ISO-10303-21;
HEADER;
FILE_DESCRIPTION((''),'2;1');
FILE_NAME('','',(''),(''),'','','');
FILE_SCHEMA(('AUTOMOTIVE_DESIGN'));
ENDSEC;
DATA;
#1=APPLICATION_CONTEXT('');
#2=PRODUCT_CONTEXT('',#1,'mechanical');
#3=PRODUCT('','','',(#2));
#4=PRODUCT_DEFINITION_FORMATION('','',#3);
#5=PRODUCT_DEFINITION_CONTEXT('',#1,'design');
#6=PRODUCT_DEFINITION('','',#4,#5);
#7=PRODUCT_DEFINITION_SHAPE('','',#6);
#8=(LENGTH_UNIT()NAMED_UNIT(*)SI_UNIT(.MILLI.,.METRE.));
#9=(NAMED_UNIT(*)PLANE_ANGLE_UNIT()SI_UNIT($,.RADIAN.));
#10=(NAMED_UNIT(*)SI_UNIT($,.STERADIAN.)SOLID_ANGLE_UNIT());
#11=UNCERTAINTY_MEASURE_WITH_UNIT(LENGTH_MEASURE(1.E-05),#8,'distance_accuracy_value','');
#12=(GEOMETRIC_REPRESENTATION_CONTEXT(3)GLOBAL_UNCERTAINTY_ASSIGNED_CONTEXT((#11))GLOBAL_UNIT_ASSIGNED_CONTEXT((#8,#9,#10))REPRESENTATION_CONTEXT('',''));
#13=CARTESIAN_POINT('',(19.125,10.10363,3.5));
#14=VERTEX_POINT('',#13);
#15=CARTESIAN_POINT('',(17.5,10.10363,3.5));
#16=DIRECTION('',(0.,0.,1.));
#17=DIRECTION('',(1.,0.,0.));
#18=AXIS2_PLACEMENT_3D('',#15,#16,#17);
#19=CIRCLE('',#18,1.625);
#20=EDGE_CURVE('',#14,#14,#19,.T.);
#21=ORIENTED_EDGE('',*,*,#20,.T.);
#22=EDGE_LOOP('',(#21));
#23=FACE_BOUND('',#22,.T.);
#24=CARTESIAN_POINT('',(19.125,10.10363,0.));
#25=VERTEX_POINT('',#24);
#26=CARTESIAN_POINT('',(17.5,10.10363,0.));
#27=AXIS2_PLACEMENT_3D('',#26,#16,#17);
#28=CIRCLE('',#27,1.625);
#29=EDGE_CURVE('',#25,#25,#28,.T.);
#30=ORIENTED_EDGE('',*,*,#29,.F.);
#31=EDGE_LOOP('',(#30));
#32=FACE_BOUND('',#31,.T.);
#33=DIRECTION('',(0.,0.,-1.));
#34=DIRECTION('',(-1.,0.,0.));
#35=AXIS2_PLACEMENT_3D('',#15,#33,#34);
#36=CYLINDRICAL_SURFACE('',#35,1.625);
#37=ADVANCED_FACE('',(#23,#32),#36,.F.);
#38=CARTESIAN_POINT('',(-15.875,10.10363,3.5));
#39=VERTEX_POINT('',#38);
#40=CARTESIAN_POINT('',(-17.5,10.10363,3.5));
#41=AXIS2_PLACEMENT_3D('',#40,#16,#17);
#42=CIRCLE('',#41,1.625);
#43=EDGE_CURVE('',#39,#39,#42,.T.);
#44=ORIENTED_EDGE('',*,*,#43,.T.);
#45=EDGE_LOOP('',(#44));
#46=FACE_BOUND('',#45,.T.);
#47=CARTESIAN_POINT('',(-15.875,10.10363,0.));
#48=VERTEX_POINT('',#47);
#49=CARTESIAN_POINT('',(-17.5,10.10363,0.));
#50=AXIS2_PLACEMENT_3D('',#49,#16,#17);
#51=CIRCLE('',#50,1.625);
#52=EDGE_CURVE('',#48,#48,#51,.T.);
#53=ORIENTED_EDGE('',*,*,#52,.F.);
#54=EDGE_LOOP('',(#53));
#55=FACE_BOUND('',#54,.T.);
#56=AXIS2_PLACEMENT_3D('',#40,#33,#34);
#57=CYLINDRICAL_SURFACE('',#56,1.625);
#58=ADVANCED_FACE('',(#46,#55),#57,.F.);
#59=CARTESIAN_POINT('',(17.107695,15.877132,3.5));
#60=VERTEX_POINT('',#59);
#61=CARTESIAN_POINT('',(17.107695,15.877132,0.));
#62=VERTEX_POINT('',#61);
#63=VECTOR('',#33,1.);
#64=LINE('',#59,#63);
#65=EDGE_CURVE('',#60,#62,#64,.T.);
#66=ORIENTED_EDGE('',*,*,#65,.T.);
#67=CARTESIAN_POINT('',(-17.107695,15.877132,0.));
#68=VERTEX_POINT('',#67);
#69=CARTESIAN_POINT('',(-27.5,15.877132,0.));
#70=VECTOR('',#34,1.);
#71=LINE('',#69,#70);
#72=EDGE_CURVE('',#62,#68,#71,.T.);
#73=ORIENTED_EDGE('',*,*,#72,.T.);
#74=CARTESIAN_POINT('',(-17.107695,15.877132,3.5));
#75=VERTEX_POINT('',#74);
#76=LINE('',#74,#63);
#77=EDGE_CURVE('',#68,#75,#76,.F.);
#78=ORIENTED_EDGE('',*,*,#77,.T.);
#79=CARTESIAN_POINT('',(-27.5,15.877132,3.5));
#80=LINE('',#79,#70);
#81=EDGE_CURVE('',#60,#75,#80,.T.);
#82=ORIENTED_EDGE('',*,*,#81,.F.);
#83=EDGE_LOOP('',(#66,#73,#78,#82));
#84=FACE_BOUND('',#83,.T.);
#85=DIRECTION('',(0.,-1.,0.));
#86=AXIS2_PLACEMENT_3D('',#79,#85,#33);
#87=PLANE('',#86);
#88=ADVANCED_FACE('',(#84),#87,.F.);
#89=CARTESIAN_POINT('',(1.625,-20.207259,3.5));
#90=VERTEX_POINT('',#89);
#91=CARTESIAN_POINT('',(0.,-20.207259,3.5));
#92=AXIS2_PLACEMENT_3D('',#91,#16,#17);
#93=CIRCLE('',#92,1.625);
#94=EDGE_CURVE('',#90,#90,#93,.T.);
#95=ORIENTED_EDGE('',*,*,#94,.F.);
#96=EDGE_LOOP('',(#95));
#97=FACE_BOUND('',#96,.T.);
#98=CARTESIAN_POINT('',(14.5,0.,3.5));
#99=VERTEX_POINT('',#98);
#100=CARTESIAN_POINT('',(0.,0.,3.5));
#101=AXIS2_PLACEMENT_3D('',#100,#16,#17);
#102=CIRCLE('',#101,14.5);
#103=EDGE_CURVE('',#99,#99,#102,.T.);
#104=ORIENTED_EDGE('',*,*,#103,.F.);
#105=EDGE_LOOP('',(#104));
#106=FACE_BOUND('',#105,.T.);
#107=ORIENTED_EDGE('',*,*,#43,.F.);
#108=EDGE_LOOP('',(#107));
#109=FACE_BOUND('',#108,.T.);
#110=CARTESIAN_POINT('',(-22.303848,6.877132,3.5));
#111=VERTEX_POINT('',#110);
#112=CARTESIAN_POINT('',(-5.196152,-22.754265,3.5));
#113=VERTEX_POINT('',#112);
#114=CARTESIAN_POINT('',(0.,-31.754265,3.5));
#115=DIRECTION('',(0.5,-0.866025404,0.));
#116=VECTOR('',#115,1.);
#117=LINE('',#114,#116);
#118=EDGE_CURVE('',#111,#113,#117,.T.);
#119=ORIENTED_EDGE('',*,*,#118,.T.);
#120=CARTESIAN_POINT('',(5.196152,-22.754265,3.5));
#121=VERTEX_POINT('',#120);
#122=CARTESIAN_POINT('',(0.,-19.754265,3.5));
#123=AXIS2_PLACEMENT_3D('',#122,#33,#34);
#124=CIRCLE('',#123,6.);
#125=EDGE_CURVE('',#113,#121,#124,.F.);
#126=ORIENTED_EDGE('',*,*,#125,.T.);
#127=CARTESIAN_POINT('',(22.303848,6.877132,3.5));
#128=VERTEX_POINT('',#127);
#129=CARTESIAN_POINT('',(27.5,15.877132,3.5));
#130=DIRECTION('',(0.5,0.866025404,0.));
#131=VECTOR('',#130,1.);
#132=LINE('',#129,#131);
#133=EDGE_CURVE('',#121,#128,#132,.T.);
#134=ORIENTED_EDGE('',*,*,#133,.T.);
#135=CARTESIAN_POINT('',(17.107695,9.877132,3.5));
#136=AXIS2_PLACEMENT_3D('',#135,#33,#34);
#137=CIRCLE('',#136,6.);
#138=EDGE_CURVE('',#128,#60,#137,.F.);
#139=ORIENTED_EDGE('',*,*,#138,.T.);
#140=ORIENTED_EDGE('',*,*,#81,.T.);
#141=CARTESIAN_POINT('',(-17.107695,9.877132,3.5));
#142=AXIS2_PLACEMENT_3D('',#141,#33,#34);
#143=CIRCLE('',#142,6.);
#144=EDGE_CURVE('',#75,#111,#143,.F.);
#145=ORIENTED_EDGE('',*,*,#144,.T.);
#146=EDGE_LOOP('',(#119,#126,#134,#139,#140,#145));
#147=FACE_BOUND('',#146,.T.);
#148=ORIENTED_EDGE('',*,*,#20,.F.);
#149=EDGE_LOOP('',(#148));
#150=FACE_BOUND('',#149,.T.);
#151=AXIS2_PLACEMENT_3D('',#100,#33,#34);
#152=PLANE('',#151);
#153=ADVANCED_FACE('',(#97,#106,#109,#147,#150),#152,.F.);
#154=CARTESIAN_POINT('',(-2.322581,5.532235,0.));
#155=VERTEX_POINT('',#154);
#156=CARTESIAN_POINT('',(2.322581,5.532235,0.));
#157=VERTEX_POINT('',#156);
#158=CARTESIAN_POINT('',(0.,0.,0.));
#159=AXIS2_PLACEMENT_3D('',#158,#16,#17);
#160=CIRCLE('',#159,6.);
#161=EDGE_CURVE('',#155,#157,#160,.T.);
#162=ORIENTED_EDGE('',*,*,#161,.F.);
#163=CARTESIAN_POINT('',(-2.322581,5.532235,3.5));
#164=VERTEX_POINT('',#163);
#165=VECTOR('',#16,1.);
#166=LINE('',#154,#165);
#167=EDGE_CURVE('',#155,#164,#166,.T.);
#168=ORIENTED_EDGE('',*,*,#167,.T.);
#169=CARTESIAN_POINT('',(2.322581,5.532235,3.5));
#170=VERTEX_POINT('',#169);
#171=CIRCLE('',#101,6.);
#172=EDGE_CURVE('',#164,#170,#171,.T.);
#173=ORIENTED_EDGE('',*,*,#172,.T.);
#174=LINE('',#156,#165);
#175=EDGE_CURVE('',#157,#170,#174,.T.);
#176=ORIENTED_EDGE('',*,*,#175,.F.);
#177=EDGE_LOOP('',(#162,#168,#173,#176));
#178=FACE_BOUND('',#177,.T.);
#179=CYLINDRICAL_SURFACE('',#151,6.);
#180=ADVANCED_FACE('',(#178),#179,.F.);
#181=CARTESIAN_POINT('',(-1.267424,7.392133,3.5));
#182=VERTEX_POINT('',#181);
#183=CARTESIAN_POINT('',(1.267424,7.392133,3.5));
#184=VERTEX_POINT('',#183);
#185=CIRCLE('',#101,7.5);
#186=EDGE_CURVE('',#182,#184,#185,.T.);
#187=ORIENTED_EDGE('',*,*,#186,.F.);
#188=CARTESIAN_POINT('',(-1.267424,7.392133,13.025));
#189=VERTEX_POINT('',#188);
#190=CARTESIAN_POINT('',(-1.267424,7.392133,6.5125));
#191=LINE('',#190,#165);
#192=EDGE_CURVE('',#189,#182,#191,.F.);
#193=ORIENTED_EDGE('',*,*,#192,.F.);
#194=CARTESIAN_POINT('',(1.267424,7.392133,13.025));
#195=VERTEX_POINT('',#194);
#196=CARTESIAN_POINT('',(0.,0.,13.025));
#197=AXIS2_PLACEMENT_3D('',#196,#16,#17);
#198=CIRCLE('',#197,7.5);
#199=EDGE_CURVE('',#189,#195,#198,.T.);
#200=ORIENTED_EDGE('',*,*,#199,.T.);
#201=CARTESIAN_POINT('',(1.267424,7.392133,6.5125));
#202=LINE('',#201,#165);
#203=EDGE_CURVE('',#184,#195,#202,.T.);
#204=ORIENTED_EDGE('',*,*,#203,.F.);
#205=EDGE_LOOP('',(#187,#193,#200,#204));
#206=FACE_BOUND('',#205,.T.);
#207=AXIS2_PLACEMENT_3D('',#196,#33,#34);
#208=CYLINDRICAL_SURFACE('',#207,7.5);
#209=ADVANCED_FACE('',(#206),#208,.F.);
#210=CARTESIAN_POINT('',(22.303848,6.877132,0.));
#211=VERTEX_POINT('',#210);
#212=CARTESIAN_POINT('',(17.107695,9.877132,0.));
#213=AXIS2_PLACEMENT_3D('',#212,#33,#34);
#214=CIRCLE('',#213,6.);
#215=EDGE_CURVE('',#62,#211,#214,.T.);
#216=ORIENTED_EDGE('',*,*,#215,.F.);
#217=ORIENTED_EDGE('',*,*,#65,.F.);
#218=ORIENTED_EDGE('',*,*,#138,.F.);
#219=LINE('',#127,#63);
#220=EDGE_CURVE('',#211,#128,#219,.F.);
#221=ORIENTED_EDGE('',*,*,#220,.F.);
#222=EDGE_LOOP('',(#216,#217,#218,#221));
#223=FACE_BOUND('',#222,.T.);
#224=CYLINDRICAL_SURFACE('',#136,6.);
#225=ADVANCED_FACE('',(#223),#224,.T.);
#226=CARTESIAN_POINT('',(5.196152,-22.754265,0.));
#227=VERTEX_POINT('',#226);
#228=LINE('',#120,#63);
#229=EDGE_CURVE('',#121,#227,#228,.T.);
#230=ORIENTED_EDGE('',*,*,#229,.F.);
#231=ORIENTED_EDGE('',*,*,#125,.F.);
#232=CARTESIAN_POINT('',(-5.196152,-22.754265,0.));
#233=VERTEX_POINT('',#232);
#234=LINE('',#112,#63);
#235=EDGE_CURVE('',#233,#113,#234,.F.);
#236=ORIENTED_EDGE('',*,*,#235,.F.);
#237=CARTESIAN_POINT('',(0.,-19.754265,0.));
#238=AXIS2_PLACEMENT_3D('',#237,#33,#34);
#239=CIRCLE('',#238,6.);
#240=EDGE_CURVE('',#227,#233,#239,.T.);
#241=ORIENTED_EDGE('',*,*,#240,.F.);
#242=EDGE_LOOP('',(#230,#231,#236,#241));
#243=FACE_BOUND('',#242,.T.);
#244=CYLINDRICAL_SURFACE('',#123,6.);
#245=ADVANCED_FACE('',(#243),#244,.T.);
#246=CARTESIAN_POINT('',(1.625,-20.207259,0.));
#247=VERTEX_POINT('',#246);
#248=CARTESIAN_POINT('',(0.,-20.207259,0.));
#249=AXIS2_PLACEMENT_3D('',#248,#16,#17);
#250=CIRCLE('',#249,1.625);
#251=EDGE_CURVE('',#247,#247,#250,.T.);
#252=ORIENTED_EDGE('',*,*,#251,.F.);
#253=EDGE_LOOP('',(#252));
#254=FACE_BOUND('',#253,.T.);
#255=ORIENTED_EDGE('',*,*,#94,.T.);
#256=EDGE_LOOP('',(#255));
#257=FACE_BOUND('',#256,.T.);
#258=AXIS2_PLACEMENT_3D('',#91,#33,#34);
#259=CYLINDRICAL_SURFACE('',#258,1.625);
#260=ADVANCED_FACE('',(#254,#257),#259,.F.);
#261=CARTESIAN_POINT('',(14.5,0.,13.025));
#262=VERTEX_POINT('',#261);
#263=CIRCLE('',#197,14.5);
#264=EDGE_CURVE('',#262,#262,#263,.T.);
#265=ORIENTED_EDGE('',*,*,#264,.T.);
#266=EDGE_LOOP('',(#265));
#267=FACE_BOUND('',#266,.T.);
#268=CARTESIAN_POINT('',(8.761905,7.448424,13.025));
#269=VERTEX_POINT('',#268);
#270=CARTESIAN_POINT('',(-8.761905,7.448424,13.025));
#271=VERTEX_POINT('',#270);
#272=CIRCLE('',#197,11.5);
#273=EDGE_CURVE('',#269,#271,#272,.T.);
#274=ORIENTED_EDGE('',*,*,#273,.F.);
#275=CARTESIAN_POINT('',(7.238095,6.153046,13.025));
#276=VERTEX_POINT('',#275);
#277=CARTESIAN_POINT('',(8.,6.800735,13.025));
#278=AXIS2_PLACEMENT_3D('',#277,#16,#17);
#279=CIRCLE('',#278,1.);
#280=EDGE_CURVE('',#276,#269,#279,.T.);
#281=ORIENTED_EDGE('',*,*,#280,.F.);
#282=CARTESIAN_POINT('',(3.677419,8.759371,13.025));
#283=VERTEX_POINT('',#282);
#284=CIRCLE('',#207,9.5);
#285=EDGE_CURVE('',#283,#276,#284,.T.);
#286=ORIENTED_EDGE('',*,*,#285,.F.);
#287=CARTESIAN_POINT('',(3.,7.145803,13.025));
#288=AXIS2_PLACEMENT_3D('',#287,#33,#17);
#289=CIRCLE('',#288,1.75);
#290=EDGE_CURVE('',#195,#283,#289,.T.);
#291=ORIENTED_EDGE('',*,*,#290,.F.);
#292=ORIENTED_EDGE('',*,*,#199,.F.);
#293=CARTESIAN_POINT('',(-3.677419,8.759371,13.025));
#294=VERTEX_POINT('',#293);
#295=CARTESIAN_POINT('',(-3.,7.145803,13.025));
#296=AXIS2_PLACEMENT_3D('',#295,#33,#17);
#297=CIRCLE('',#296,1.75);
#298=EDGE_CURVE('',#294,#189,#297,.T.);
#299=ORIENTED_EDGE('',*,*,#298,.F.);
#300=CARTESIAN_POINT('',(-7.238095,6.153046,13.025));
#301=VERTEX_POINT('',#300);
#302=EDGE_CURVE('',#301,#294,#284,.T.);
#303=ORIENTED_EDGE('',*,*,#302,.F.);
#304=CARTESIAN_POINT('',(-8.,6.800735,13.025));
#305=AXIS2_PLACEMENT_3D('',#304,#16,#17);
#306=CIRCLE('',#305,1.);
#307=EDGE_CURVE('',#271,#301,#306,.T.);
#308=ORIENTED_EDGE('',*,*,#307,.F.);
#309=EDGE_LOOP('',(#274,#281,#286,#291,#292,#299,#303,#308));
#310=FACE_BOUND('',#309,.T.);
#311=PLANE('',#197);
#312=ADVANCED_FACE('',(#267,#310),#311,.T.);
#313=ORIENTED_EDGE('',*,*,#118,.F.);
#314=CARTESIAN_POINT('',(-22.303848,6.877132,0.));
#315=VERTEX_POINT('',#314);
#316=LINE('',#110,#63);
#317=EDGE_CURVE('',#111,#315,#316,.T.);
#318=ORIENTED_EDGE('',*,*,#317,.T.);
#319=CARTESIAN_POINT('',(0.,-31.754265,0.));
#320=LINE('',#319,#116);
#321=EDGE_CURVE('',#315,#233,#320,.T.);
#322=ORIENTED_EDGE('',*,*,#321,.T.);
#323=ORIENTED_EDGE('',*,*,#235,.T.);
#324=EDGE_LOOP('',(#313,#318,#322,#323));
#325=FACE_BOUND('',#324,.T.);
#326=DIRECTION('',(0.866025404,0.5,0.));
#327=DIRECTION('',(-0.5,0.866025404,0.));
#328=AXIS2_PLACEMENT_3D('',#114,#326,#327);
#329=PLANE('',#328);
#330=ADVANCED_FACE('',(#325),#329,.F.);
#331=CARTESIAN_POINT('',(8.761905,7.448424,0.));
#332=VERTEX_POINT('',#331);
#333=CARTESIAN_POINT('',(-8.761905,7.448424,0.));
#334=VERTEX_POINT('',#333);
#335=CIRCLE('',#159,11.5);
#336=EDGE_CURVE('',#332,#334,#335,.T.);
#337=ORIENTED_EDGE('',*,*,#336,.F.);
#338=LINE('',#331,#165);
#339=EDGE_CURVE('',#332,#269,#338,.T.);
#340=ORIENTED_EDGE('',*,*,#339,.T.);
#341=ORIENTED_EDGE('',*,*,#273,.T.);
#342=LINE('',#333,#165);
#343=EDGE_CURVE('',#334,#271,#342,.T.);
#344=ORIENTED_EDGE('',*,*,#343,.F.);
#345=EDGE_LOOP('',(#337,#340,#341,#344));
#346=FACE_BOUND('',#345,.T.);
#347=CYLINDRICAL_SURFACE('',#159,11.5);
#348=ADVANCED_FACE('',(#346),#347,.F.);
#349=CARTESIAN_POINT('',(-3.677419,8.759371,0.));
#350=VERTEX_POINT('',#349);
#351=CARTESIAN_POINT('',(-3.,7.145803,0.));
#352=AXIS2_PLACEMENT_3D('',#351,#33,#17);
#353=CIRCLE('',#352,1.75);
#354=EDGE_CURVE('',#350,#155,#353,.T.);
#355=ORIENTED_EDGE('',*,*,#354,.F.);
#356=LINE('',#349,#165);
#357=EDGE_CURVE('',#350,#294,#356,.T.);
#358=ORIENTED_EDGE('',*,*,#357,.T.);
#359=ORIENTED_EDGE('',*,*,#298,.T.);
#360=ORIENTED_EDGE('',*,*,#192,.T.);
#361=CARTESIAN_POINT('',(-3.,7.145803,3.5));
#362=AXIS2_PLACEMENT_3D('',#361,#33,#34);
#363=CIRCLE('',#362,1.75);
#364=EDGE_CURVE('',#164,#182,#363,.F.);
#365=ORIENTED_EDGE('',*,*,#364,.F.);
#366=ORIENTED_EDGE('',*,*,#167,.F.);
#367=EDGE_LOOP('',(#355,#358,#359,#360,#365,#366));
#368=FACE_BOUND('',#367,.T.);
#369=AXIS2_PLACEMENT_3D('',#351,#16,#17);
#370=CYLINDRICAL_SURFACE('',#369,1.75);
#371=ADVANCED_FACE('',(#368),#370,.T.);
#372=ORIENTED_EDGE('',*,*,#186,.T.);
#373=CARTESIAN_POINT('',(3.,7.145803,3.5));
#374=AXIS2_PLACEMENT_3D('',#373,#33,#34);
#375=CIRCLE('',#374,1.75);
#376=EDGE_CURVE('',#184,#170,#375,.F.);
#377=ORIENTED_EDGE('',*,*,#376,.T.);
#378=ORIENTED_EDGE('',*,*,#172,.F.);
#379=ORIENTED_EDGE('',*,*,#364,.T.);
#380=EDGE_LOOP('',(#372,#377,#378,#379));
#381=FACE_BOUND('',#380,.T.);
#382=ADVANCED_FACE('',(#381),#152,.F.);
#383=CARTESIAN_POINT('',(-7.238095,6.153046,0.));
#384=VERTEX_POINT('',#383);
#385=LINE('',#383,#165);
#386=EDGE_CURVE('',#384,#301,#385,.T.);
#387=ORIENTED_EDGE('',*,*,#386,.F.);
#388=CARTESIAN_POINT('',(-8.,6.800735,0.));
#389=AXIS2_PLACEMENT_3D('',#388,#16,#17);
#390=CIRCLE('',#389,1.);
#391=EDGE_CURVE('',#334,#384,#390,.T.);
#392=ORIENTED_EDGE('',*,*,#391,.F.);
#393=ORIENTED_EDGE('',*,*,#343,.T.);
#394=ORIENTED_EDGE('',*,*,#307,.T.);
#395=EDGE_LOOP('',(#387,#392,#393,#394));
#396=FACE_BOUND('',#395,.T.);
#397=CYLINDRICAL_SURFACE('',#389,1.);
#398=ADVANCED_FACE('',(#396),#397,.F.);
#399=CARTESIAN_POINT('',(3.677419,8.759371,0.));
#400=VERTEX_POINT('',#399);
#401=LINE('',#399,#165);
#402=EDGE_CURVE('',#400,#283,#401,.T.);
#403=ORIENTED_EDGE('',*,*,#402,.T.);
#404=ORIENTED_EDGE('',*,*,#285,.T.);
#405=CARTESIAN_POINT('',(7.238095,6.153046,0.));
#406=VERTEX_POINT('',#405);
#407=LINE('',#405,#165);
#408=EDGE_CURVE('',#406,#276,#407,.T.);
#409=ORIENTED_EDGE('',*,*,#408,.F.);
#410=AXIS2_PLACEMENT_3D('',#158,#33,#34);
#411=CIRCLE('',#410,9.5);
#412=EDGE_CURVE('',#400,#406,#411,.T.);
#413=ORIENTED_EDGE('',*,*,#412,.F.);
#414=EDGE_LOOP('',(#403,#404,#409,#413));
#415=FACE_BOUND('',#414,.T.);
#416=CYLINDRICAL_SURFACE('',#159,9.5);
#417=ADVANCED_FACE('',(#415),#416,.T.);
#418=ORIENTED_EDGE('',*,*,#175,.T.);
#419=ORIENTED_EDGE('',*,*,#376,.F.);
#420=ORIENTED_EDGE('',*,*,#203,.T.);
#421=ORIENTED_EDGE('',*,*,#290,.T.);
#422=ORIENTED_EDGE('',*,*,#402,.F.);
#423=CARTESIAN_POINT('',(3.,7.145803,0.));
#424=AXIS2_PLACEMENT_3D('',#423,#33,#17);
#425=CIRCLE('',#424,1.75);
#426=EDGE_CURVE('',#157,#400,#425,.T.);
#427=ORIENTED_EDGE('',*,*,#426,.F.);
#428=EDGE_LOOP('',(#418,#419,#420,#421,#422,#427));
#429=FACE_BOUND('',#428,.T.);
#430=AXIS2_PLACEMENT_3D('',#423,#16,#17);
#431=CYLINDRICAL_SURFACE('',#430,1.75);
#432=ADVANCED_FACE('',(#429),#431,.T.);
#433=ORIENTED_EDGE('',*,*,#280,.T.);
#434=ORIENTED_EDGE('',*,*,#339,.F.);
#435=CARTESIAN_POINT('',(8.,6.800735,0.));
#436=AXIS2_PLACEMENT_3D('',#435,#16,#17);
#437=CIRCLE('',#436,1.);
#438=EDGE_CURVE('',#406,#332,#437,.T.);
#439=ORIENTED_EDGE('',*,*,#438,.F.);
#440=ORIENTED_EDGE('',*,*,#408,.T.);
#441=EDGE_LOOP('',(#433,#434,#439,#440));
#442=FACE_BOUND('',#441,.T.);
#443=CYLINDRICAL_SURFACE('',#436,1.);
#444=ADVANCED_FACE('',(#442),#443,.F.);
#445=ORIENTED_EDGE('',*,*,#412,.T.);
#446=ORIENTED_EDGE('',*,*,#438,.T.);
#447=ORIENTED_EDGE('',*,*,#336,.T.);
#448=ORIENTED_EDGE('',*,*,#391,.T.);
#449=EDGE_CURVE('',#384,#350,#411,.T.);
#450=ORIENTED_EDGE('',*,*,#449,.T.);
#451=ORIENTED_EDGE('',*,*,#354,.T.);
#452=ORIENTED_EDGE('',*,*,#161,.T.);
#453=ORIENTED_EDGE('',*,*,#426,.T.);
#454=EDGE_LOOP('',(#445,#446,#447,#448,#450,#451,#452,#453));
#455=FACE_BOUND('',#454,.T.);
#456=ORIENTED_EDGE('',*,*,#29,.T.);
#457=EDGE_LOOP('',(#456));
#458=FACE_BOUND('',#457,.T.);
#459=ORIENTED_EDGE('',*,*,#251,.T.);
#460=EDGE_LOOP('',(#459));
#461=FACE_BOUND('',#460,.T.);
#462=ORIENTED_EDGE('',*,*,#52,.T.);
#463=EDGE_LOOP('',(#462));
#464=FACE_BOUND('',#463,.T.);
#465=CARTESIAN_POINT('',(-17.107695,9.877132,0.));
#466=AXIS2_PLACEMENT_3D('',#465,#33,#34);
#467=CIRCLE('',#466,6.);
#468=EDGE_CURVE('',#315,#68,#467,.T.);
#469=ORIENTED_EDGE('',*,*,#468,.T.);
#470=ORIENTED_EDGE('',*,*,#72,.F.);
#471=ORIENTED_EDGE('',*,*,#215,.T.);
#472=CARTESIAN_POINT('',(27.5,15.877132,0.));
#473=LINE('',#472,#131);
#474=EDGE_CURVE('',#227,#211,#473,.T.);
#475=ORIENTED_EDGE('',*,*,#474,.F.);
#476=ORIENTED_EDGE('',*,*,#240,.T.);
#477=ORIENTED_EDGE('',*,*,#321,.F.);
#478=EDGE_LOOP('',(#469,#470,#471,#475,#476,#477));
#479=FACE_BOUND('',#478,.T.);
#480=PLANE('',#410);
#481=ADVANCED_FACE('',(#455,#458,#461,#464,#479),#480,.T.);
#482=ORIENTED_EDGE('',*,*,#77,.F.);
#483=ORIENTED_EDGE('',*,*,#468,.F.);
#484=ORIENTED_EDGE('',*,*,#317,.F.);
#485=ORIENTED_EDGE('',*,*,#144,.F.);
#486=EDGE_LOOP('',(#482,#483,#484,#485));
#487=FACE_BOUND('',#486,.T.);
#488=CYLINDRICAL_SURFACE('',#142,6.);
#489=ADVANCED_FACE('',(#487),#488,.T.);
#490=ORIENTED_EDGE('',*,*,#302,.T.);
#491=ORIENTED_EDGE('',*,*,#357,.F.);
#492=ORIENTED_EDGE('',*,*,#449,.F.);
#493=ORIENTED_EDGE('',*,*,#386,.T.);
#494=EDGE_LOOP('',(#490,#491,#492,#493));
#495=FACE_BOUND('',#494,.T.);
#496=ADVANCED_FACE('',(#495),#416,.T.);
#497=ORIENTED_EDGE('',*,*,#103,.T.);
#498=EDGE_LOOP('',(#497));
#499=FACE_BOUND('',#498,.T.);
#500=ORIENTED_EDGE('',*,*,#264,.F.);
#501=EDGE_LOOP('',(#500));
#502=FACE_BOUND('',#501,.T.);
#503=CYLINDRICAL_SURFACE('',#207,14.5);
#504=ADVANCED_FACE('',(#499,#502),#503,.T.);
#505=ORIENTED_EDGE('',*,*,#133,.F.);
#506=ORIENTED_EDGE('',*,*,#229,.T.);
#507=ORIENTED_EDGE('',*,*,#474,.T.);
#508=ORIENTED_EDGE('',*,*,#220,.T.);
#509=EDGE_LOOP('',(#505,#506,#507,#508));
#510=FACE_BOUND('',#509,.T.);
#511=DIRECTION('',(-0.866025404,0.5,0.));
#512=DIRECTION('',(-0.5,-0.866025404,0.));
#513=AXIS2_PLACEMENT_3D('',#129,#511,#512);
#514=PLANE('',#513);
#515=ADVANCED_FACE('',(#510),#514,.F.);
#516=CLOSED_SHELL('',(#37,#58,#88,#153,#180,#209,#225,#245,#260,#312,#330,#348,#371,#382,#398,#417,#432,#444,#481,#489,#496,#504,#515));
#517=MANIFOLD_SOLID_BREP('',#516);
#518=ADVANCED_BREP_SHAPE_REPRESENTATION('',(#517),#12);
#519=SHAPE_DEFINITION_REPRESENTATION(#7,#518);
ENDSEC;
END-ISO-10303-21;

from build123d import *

# Parameters (mm, degrees)
ESQUISSE3_R             = 1.625
ESQUISSE3_R_2           = 6
BOSS_EXTRU_1_DEPTH      = 3.5
ESQUISSE4_R             = 14.5
ESQUISSE4_R_2           = 7.5
BOSS_EXTRU_2_DEPTH      = 9.525
CONG_3_R                = 6
ENL_V_MAT_EXTRU_1_DEPTH = 37.971588497
ENL_V_MAT_EXTRU_2_DEPTH = 37.971588497


with BuildPart() as part:
    # Esquisse3 → Boss.-Extru.1 (new body)
    with BuildSketch(Plane.XY):
        Polygon((0, -31.754264805), (-27.5, 15.877132403), (27.5, 15.877132403), align=None)
        with Locations((-17.5, 10.103629711)):
            Circle(ESQUISSE3_R, mode=Mode.SUBTRACT)
        with Locations((17.5, 10.103629711)):
            Circle(ESQUISSE3_R, mode=Mode.SUBTRACT)
        with Locations((0, -20.207259422)):
            Circle(ESQUISSE3_R, mode=Mode.SUBTRACT)
        Circle(ESQUISSE3_R_2, mode=Mode.SUBTRACT)
    extrude(amount=BOSS_EXTRU_1_DEPTH)

    # Esquisse4 → Boss.-Extru.2 (add)
    with BuildSketch(Plane.XY.offset(3.5)):
        Circle(ESQUISSE4_R)
        Circle(ESQUISSE4_R_2, mode=Mode.SUBTRACT)
    extrude(amount=BOSS_EXTRU_2_DEPTH)

    # Congé3
    cong_3_edges = [part.edges().sort_by_distance(p)[0] for p in [
        (0, -31.754264805, 1.75),
        (-27.5, 15.877132403, 1.75),
        (27.5, 15.877132403, 1.75),
    ]]
    fillet(cong_3_edges, radius=CONG_3_R)

    # Esquisse5 → Enlèv. mat.-Extru.1 (cut, through all)
    with BuildSketch(Plane.XY.offset(13.025)):
        with BuildLine():
            ThreePointArc((-7.238095238, 6.153046183), (0, 9.5), (7.238095238, 6.153046183))
            ThreePointArc((7.238095238, 6.153046183), (8.647689072, 6.038830492), (8.761904762, 7.448424326))
            ThreePointArc((8.761904762, 7.448424326), (0, 11.5), (-8.761904762, 7.448424326))
            ThreePointArc((-8.761904762, 7.448424326), (-8.647689072, 6.038830492), (-7.238095238, 6.153046183))
        make_face()
    extrude(amount=-ENL_V_MAT_EXTRU_1_DEPTH, mode=Mode.SUBTRACT)

    # Esquisse6 → Enlèv. mat.-Extru.2 (cut, through all)
    with BuildSketch(Plane.XY.offset(13.025)):
        with BuildLine():
            ThreePointArc((-2.322580645, 5.532234553), (-1.386431589, 7.823222319), (-3.677419355, 8.759371375))
            ThreePointArc((-3.677419355, 8.759371375), (0, 9.5), (3.677419355, 8.759371375))
            ThreePointArc((3.677419355, 8.759371375), (1.386431589, 7.823222319), (2.322580645, 5.532234553))
            ThreePointArc((2.322580645, 5.532234553), (0, 6), (-2.322580645, 5.532234553))
        make_face()
    extrude(amount=-ENL_V_MAT_EXTRU_2_DEPTH, mode=Mode.SUBTRACT)


solid = part.part
